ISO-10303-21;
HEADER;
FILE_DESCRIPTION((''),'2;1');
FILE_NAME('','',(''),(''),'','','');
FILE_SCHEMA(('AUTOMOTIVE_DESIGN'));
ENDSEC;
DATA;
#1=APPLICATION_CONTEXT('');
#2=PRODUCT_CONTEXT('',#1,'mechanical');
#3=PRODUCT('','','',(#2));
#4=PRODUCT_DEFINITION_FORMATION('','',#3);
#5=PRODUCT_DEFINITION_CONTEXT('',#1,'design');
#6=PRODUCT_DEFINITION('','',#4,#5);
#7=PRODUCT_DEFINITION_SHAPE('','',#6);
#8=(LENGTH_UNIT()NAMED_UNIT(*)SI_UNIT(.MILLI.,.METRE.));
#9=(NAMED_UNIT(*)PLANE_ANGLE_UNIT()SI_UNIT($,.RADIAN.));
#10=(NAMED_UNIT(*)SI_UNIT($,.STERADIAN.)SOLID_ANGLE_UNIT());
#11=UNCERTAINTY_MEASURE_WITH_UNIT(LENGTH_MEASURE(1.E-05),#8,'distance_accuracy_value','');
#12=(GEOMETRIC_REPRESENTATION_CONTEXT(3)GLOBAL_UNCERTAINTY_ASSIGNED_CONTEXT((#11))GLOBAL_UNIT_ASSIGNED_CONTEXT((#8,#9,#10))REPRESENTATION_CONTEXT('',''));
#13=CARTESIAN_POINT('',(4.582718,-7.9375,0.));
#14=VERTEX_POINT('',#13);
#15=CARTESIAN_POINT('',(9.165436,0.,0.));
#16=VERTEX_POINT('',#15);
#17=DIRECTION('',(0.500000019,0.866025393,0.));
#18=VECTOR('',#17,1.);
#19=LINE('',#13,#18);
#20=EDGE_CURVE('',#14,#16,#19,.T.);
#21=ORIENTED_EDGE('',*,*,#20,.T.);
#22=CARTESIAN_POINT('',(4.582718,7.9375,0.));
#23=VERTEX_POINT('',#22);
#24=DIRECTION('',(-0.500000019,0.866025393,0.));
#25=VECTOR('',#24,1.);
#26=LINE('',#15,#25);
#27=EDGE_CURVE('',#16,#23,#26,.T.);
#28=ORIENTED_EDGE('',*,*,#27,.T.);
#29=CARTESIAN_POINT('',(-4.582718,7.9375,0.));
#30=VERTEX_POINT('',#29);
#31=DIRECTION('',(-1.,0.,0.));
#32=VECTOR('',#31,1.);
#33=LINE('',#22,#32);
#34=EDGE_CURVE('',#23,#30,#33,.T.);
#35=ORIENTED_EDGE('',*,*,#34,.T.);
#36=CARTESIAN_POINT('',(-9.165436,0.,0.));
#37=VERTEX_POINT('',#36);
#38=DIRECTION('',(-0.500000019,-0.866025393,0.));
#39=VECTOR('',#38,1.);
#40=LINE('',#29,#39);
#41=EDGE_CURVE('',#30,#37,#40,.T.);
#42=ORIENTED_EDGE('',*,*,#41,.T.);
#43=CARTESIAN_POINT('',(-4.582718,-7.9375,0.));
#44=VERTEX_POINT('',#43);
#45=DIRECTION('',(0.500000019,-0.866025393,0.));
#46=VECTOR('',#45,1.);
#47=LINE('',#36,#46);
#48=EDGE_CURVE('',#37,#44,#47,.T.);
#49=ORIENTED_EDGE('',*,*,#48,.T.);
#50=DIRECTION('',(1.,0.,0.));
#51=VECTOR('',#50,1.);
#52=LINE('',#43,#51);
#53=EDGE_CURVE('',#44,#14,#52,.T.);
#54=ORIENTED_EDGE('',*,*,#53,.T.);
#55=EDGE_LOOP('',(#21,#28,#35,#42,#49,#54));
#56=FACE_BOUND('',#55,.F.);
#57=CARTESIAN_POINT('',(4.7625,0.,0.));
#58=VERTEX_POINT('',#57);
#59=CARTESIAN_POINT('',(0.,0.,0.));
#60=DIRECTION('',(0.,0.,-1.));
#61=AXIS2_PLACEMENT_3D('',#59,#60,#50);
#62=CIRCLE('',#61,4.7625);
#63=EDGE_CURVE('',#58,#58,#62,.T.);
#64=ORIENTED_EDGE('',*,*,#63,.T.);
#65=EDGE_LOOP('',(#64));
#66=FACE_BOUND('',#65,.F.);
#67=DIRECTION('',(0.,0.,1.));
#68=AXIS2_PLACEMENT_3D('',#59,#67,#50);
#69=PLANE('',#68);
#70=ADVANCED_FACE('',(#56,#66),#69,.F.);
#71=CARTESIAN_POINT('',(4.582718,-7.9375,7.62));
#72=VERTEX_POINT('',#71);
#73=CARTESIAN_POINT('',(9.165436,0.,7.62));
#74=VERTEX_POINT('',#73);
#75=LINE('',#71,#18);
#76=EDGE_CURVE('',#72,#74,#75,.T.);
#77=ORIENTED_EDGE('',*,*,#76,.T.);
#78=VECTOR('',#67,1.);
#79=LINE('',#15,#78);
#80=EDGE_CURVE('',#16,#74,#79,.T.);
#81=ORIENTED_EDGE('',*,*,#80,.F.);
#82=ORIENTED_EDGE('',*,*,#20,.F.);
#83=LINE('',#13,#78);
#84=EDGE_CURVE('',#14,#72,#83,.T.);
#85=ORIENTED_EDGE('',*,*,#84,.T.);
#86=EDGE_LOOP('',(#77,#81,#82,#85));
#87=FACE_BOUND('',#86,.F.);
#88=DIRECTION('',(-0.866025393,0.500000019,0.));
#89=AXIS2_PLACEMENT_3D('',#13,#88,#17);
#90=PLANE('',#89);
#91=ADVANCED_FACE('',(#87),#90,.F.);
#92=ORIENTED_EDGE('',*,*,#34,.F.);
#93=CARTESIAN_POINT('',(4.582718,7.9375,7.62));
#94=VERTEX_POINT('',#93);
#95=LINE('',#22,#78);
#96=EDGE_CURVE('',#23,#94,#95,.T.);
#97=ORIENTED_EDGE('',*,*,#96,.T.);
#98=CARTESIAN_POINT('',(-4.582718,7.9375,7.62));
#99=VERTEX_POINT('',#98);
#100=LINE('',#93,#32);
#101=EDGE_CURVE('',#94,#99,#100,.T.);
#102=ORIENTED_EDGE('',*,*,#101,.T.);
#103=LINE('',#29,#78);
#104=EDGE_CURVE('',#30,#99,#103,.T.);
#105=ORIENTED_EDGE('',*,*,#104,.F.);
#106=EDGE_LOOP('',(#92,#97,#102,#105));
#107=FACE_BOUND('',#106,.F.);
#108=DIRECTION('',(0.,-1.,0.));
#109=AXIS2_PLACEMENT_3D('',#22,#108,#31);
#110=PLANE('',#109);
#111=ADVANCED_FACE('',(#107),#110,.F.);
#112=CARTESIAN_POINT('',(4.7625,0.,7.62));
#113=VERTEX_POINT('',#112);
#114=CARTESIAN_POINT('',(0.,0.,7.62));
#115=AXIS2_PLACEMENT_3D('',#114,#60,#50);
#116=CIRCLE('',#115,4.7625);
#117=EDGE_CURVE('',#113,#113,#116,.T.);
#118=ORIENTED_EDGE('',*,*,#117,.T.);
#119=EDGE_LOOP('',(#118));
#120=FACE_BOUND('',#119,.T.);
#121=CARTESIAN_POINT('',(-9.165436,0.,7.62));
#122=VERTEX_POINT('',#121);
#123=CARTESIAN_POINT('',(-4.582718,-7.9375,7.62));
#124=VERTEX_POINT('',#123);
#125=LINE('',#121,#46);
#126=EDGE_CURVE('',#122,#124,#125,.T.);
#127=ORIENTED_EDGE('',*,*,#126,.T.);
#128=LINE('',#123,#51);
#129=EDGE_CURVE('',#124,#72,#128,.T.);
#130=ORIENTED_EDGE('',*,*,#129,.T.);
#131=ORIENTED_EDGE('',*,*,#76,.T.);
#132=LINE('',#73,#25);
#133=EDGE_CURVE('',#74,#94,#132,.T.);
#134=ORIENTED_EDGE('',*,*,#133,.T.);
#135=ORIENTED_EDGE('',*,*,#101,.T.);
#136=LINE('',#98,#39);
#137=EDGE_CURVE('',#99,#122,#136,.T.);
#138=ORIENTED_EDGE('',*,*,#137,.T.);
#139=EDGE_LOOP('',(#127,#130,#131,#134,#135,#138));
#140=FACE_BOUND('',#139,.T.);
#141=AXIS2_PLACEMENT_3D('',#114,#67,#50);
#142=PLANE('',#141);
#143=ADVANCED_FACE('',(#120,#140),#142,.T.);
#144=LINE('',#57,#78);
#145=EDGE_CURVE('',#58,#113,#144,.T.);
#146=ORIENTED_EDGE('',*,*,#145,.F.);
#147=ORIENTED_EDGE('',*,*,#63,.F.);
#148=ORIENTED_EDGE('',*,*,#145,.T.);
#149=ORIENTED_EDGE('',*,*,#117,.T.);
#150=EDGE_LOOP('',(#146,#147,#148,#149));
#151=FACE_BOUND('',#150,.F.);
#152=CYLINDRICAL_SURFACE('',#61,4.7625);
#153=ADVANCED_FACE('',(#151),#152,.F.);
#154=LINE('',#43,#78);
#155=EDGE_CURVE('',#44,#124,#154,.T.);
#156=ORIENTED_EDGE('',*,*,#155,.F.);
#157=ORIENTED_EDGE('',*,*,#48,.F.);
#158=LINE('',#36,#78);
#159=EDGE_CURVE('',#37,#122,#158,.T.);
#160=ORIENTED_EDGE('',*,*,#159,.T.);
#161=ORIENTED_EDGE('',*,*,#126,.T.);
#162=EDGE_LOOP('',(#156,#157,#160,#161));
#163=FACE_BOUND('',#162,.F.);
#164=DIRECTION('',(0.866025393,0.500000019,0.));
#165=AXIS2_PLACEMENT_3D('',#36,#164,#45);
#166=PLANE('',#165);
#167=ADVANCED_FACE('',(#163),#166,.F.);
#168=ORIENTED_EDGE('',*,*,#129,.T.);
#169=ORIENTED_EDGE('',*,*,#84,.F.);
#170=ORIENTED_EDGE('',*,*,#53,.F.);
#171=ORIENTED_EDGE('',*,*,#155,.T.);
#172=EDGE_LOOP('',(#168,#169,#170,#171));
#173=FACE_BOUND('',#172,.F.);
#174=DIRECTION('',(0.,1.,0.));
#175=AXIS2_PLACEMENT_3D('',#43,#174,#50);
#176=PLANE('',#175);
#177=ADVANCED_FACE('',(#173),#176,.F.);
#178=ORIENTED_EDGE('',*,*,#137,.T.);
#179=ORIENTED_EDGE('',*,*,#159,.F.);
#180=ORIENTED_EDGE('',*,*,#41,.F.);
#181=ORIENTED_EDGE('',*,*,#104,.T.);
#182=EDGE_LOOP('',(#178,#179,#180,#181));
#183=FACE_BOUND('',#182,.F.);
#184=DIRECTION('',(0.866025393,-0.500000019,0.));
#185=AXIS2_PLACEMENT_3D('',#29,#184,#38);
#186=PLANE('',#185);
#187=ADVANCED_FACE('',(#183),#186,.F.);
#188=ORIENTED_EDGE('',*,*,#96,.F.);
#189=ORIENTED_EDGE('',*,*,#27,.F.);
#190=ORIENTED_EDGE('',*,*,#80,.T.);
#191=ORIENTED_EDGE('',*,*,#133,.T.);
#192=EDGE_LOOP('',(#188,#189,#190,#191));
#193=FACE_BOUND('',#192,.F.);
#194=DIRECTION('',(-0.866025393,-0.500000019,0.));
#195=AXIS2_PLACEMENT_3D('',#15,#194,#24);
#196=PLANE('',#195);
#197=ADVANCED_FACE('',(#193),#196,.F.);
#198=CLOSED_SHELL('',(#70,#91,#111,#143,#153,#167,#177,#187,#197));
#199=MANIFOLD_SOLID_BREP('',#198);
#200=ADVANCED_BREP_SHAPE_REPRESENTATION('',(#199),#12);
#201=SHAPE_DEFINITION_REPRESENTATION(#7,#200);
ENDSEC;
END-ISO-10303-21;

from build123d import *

# Parameters (mm, degrees)
F1_DEPTH = 7.62
F2_R     = 4.7625
F3_DEPTH = 25.4


with BuildPart() as f1:
    # F0 (on Top) → F1 (new body)
    with BuildSketch(Plane.XY):
        Polygon((4.582718, 7.9375), (-4.582718, 7.9375), (-9.165436, 0), (-4.582718, -7.9375), (4.582718, -7.9375), (9.165436, 0), align=None)
    extrude(amount=F1_DEPTH)

    # F2 (on face) → F3 (cut)
    with BuildSketch(Plane(origin=(0, 0, 0), x_dir=(1, 0, 0), z_dir=(0, 0, -1))):
        Circle(F2_R)
    extrude(amount=-F3_DEPTH, mode=Mode.SUBTRACT)


solid = f1.part
